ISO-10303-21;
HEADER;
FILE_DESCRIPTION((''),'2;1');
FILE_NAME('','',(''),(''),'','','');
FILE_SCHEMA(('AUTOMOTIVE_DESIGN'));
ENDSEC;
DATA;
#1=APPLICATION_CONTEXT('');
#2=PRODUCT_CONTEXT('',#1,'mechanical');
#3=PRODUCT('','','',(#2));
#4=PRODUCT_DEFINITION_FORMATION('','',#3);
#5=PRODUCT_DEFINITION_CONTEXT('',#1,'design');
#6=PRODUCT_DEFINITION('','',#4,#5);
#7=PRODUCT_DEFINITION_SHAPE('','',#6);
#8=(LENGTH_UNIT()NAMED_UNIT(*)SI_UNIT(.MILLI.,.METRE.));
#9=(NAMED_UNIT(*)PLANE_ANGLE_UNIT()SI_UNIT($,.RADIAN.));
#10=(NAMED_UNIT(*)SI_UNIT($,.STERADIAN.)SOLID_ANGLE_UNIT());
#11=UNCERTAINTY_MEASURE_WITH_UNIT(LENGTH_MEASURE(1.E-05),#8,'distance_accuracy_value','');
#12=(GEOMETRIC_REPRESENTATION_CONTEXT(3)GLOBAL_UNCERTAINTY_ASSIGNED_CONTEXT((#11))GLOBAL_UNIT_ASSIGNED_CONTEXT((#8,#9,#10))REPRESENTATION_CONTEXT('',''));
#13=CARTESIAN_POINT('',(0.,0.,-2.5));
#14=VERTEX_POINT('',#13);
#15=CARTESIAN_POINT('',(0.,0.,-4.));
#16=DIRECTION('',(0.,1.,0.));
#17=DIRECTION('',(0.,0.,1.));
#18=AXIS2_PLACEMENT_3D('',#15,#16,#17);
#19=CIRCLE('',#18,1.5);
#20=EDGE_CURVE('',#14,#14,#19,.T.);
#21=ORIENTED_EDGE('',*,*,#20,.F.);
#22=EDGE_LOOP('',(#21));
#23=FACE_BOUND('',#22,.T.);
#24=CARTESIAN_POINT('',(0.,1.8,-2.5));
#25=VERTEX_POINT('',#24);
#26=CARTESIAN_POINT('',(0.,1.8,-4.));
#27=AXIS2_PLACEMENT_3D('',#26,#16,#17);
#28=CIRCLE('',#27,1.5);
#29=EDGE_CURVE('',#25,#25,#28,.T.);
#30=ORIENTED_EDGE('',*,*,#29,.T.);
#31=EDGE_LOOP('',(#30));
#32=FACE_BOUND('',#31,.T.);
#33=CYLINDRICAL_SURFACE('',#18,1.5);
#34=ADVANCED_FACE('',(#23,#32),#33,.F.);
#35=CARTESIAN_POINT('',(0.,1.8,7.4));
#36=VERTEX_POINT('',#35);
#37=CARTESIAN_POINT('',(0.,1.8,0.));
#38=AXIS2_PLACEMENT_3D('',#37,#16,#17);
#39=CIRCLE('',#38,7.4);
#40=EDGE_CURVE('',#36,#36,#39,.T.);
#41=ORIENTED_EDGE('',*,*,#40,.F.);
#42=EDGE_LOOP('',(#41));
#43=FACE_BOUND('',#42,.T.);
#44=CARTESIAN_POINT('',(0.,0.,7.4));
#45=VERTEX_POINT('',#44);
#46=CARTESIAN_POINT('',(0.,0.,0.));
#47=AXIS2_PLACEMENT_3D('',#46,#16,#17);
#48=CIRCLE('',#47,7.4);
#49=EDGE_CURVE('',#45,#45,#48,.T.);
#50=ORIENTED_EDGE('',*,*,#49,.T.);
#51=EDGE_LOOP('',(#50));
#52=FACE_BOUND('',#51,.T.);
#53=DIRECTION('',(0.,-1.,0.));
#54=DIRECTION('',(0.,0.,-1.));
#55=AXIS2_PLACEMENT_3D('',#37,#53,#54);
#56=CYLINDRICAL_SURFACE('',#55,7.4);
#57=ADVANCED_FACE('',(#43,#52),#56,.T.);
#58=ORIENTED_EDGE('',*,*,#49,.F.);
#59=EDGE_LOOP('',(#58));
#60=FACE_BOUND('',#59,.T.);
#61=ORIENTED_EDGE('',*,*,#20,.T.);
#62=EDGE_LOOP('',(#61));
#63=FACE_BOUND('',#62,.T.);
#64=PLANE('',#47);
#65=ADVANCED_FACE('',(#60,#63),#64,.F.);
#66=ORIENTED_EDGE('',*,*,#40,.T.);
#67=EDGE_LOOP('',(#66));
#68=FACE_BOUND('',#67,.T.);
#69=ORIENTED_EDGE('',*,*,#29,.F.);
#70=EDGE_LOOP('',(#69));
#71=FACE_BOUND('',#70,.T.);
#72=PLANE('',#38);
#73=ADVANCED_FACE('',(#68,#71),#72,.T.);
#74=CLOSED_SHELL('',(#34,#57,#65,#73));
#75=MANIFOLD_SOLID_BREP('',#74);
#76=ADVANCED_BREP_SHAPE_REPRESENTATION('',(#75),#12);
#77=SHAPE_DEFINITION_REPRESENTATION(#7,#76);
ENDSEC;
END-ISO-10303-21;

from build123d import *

# Parameters (mm, degrees)
SKETCH1_R           = 7.4
BOSS_EXTRUDE1_DEPTH = 1.8
SKETCH2_R           = 1.5
CUT_EXTRUDE1_DEPTH  = 1.8


with BuildPart() as part:
    # Sketch1 → Boss-Extrude1 (new body)
    with BuildSketch(Plane(origin=(0, 0, 0), x_dir=(1, 0, 0), z_dir=(0, 1, 0))):
        with Locations(Location((0, 0, 0), (0, 0, 270))):
            Circle(SKETCH1_R)
    extrude(amount=BOSS_EXTRUDE1_DEPTH)

    # Sketch2 → Cut-Extrude1 (cut)
    with BuildSketch(Plane(origin=(0, 1.8, 0), x_dir=(1, 0, 0), z_dir=(0, 1, 0))):
        with Locations(Location((0, 4, 0), (0, 0, 270))):
            Circle(SKETCH2_R)
    extrude(amount=-CUT_EXTRUDE1_DEPTH, mode=Mode.SUBTRACT)


solid = part.part
